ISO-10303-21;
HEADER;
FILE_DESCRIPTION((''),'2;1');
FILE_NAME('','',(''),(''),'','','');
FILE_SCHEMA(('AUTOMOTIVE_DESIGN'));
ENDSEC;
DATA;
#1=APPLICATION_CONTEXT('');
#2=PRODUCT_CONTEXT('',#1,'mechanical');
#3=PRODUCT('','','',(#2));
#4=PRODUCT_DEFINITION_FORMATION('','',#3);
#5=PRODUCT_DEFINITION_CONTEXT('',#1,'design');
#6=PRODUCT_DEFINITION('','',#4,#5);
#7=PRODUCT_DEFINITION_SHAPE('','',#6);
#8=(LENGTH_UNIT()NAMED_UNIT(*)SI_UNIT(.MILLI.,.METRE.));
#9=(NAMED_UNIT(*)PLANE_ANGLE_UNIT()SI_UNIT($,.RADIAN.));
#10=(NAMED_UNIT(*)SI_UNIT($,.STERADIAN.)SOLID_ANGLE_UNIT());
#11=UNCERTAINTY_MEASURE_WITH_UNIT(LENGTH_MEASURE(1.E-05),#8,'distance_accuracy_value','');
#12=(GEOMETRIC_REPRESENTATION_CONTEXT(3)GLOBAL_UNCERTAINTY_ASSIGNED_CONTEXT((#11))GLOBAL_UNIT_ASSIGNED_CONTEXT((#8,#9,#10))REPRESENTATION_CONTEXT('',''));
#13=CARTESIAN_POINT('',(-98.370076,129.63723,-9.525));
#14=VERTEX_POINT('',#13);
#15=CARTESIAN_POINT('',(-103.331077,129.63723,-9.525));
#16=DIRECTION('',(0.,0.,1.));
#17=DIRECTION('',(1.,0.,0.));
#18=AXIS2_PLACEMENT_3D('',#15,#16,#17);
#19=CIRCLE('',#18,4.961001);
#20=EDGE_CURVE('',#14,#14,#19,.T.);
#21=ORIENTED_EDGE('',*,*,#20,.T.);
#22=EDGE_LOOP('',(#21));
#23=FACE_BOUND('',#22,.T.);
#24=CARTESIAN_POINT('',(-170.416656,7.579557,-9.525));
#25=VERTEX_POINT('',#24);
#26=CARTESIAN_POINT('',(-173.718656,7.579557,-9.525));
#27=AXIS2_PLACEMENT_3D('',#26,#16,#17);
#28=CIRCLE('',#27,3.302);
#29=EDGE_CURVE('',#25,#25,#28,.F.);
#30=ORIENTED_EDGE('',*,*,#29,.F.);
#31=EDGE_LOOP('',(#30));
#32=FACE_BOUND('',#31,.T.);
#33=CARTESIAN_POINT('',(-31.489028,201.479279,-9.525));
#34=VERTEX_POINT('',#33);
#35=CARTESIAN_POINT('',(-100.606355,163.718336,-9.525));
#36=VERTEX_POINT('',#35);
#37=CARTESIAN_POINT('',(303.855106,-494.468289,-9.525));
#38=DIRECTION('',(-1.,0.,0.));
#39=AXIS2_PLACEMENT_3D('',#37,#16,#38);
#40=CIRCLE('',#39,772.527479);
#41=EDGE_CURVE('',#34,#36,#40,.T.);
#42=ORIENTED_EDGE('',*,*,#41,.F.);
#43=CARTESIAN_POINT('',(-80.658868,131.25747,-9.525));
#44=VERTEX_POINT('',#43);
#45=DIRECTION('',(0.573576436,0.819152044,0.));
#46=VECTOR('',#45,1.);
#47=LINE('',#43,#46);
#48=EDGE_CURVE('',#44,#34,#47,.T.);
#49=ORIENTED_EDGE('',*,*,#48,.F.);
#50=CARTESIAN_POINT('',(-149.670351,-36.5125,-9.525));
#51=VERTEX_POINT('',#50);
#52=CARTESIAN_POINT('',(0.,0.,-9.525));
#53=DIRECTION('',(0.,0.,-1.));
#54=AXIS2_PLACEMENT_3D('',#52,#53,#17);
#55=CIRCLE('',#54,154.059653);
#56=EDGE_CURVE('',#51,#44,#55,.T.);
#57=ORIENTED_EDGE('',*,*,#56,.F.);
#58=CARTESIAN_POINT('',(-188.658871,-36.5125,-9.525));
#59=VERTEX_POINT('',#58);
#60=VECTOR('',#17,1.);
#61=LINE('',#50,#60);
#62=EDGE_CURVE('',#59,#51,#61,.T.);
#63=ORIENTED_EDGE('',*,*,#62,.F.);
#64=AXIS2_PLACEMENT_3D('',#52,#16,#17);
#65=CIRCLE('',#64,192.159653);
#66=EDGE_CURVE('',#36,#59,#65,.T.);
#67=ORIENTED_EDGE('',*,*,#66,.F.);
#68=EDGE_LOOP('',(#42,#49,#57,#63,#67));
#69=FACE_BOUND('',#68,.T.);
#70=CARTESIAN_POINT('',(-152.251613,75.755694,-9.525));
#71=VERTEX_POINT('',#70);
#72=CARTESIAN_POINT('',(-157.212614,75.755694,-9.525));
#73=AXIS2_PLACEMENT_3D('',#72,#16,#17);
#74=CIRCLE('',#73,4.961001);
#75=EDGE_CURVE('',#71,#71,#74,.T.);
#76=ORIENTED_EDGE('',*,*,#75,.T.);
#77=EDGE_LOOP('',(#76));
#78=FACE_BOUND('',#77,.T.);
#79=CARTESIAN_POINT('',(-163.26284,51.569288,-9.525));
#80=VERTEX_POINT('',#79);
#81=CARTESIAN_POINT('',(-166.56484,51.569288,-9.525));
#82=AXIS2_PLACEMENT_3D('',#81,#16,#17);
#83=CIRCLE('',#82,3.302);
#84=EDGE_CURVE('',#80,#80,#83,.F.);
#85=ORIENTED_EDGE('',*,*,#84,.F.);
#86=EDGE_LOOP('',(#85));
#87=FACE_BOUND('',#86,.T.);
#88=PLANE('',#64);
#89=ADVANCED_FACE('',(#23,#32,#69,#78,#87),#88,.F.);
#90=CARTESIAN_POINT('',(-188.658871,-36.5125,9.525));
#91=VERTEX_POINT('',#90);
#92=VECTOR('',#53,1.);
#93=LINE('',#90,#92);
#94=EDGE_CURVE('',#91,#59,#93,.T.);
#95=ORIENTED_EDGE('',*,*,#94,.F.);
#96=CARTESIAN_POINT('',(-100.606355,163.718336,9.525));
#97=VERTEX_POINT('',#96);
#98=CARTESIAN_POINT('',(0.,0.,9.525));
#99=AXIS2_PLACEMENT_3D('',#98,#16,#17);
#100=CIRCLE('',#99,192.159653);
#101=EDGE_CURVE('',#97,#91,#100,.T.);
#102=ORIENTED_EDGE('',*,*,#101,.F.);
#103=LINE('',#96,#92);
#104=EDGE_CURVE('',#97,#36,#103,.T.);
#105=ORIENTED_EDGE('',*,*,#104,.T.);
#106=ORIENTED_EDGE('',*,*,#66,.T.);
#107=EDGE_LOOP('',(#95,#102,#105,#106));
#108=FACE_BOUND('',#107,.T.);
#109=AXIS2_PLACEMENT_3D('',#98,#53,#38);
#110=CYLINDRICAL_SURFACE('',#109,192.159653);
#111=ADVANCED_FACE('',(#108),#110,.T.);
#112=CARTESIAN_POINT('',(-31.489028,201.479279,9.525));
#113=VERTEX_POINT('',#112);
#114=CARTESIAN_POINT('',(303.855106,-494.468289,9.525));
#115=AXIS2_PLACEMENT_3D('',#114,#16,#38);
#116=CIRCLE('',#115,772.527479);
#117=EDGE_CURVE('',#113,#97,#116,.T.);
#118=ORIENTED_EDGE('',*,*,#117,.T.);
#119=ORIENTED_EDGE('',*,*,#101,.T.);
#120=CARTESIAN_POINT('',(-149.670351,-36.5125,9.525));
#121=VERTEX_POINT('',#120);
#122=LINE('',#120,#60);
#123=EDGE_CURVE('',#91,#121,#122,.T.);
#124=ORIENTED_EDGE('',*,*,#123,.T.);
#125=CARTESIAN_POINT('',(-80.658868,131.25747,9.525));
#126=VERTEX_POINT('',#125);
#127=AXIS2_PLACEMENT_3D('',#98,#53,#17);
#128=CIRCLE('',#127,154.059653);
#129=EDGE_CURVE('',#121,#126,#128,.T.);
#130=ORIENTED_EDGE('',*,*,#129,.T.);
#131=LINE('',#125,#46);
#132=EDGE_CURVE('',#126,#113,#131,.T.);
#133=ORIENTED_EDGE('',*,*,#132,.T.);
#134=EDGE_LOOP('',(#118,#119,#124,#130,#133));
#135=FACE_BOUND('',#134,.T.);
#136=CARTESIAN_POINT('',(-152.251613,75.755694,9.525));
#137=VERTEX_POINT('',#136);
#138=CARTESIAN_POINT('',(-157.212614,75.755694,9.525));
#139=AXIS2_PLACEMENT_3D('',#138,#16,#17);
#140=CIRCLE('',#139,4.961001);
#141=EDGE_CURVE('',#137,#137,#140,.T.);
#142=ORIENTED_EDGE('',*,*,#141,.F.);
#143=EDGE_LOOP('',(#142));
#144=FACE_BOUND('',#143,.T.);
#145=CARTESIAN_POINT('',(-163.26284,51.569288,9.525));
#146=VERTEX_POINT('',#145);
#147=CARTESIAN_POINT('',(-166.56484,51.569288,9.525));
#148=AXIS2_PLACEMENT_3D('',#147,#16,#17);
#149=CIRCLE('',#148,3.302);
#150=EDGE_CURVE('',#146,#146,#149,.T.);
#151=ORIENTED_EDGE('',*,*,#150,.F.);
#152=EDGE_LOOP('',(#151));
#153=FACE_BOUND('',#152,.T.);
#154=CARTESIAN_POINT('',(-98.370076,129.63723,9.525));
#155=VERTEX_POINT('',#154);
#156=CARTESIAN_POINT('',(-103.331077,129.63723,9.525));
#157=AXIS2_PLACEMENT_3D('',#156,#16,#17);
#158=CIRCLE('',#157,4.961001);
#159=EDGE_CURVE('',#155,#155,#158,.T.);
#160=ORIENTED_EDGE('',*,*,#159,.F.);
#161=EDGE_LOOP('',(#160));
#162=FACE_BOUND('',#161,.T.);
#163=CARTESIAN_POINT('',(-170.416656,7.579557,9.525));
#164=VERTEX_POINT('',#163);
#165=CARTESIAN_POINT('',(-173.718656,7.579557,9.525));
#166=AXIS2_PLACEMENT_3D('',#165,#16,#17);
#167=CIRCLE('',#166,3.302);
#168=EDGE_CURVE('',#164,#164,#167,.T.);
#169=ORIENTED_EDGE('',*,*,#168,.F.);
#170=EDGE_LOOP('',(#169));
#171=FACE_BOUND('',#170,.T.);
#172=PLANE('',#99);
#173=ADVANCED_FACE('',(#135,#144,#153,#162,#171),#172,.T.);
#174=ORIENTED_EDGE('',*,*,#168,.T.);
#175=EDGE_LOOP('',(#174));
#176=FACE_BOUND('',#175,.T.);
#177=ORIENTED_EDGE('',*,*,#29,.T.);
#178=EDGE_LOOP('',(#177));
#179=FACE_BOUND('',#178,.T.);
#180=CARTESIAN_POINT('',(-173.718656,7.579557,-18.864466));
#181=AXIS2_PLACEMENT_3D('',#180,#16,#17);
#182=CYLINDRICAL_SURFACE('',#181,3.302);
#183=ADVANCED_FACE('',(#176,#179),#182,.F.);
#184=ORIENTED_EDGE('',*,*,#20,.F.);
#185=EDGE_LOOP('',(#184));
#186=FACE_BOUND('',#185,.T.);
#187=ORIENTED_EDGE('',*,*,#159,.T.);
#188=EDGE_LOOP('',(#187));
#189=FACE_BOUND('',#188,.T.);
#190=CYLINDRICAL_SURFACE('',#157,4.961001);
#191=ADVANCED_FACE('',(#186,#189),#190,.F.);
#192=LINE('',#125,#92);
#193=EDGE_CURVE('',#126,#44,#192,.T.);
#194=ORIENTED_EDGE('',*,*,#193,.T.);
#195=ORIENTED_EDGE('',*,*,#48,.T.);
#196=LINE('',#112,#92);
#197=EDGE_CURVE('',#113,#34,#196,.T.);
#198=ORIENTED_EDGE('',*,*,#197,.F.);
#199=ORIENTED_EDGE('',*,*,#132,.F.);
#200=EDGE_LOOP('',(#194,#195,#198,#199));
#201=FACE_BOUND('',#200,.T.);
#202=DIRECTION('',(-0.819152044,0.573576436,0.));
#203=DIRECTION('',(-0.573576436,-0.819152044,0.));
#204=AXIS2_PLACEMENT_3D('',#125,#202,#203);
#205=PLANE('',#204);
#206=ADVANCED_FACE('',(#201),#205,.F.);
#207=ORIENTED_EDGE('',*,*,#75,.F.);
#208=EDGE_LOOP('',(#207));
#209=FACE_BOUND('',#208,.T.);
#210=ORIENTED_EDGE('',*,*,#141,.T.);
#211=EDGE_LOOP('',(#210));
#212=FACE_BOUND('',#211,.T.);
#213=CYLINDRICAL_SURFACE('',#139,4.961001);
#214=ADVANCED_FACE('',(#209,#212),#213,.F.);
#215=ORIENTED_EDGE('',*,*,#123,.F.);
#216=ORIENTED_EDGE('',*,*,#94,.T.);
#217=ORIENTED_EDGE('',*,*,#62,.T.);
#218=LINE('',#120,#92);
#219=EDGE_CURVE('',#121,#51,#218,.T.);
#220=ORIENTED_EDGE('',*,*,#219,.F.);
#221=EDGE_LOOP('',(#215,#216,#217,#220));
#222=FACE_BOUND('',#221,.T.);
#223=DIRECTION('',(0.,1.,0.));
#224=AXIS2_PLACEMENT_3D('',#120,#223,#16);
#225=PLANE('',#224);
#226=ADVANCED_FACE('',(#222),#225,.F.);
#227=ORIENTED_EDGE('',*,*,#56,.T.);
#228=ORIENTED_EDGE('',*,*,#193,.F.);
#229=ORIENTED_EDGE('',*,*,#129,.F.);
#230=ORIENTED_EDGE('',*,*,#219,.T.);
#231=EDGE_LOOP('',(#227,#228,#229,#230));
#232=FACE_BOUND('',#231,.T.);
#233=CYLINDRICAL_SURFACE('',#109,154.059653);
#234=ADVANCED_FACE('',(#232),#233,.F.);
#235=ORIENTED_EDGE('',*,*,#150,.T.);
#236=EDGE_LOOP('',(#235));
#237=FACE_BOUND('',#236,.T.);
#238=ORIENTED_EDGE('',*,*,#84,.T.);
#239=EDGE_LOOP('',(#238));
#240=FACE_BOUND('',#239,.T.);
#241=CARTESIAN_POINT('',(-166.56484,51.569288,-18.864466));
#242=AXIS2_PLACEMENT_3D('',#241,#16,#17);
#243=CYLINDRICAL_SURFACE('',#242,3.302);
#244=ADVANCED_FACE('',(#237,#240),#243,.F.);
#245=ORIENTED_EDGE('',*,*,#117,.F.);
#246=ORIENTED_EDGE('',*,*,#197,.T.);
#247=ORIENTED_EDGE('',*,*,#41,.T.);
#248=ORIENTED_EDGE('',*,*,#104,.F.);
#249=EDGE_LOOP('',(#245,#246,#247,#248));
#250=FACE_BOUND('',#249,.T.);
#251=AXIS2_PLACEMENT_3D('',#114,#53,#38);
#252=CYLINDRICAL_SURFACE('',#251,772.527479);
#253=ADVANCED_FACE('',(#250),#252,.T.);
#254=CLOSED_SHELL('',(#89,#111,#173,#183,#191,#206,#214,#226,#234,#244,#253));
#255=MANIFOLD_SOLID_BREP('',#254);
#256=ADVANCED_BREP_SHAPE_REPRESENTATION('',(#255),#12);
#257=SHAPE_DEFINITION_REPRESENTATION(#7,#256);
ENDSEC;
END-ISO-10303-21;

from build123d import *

# Parameters (mm, degrees)
BOSS_EXTRUDE1_DEPTH              = 9.525
SKETCH2_R                        = 3.302
CUT_EXTRUDE1_DEPTH               = 19.05
F_25_64_0_39063_DIAMETER_HOLE1_D = 9.922002


with BuildPart() as part:
    # Sketch1 → Boss-Extrude1 (new body, symmetric)
    with BuildSketch(Plane.XY):
        with BuildLine():
            Line((-80.658868274, 131.257470336), (-31.489028268, 201.479279332))
            ThreePointArc((-31.489028268, 201.479279332), (-66.529224029, 183.480200423), (-100.606355042, 163.718335568))
            ThreePointArc((-100.606355042, 163.718335568), (-175.90250014, 77.354007785), (-188.658870504, -36.5125))
            Line((-188.658870504, -36.5125), (-149.670350751, -36.5125))
            ThreePointArc((-149.670350751, -36.5125), (-142.476587623, 58.607154251), (-80.658868274, 131.257470336))
        make_face()
    extrude(amount=BOSS_EXTRUDE1_DEPTH, both=True)

    # Sketch2 → Cut-Extrude1 (cut)
    with BuildSketch(Plane.XY.offset(9.525)):
        with Locations((-173.718655592, 7.579557452)):
            Circle(SKETCH2_R)
        with Locations((-166.564839951, 51.569288407)):
            Circle(SKETCH2_R)
    extrude(amount=-CUT_EXTRUDE1_DEPTH, mode=Mode.SUBTRACT)

    # 25/64 (0.39063) Diameter Hole1 (through all)
    with Locations(Plane.XY.offset(9.525)):
        with Locations((-103.331077236, 129.637230364), (-157.212613963, 75.755693637)):
            Hole(F_25_64_0_39063_DIAMETER_HOLE1_D / 2)


solid = part.part
